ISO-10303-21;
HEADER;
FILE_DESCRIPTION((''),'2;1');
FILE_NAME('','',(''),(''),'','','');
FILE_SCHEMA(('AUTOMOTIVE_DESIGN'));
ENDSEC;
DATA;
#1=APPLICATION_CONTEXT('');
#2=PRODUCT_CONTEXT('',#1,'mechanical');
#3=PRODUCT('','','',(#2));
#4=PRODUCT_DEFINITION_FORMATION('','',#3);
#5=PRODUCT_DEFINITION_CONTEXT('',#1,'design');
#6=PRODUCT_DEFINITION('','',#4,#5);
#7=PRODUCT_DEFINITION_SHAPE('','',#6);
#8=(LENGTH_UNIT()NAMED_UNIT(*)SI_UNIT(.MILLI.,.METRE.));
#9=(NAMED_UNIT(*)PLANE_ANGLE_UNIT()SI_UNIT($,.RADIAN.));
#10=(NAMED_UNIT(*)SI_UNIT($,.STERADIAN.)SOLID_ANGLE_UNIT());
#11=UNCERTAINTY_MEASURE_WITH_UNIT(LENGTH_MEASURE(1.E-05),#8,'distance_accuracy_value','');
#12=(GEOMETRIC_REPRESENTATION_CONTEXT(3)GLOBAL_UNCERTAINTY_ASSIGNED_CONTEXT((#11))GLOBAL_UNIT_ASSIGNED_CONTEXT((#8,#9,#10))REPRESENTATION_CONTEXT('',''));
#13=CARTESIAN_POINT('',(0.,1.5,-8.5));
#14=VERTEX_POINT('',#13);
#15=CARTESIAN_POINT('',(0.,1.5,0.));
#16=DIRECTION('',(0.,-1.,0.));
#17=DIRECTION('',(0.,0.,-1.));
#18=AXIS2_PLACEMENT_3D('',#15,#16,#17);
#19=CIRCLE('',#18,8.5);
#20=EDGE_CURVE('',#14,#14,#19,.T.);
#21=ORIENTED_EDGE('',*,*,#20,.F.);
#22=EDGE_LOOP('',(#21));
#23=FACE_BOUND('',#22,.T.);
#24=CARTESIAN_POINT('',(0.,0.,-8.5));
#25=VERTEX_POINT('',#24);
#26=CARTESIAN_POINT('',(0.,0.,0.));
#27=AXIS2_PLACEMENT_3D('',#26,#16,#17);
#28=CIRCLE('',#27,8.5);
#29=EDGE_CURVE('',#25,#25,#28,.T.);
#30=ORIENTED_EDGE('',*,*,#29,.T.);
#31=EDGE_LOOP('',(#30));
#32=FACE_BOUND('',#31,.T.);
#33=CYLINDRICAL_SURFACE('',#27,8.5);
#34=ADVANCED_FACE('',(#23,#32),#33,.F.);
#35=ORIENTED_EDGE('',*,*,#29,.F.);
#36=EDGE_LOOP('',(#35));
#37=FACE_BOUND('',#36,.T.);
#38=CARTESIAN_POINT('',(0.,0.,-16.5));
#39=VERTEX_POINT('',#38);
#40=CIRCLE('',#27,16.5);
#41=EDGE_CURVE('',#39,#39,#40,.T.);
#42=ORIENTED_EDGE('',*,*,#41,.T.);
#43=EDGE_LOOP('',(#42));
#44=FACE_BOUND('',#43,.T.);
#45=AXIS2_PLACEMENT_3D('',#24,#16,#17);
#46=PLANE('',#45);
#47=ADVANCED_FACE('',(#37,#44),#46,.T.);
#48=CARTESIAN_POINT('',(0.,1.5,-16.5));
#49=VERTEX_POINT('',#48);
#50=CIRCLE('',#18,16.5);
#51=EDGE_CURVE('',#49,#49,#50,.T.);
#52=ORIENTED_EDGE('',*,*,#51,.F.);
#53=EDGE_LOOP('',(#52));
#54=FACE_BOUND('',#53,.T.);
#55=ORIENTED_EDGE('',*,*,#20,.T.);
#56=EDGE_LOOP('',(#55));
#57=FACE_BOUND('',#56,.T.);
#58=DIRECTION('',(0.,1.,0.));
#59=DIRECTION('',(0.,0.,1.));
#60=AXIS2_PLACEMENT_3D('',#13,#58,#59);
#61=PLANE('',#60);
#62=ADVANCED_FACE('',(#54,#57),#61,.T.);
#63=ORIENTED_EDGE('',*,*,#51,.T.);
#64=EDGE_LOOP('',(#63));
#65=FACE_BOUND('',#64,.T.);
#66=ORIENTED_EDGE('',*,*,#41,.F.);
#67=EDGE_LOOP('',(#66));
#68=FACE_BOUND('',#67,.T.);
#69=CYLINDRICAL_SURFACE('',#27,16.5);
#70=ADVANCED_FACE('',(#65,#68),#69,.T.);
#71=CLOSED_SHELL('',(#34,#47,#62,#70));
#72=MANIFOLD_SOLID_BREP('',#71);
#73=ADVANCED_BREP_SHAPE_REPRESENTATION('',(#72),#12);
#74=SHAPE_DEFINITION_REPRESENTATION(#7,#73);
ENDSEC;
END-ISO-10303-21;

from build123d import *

# Parameters (mm, degrees)
SKETCH_1_W = 8
SKETCH_1_H = 1.5


with BuildPart() as part:
    # Эскиз1 → Повернуть1 (revolve)
    with BuildSketch(Plane(origin=(0, 0, 0), x_dir=(0, 0, -1), z_dir=(1, 0, 0))):
        with Locations((12.5, 0.75)):
            Rectangle(SKETCH_1_W, SKETCH_1_H)
    revolve(axis=Axis((0, 0, 0), (0, 1, 0)))


solid = part.part
